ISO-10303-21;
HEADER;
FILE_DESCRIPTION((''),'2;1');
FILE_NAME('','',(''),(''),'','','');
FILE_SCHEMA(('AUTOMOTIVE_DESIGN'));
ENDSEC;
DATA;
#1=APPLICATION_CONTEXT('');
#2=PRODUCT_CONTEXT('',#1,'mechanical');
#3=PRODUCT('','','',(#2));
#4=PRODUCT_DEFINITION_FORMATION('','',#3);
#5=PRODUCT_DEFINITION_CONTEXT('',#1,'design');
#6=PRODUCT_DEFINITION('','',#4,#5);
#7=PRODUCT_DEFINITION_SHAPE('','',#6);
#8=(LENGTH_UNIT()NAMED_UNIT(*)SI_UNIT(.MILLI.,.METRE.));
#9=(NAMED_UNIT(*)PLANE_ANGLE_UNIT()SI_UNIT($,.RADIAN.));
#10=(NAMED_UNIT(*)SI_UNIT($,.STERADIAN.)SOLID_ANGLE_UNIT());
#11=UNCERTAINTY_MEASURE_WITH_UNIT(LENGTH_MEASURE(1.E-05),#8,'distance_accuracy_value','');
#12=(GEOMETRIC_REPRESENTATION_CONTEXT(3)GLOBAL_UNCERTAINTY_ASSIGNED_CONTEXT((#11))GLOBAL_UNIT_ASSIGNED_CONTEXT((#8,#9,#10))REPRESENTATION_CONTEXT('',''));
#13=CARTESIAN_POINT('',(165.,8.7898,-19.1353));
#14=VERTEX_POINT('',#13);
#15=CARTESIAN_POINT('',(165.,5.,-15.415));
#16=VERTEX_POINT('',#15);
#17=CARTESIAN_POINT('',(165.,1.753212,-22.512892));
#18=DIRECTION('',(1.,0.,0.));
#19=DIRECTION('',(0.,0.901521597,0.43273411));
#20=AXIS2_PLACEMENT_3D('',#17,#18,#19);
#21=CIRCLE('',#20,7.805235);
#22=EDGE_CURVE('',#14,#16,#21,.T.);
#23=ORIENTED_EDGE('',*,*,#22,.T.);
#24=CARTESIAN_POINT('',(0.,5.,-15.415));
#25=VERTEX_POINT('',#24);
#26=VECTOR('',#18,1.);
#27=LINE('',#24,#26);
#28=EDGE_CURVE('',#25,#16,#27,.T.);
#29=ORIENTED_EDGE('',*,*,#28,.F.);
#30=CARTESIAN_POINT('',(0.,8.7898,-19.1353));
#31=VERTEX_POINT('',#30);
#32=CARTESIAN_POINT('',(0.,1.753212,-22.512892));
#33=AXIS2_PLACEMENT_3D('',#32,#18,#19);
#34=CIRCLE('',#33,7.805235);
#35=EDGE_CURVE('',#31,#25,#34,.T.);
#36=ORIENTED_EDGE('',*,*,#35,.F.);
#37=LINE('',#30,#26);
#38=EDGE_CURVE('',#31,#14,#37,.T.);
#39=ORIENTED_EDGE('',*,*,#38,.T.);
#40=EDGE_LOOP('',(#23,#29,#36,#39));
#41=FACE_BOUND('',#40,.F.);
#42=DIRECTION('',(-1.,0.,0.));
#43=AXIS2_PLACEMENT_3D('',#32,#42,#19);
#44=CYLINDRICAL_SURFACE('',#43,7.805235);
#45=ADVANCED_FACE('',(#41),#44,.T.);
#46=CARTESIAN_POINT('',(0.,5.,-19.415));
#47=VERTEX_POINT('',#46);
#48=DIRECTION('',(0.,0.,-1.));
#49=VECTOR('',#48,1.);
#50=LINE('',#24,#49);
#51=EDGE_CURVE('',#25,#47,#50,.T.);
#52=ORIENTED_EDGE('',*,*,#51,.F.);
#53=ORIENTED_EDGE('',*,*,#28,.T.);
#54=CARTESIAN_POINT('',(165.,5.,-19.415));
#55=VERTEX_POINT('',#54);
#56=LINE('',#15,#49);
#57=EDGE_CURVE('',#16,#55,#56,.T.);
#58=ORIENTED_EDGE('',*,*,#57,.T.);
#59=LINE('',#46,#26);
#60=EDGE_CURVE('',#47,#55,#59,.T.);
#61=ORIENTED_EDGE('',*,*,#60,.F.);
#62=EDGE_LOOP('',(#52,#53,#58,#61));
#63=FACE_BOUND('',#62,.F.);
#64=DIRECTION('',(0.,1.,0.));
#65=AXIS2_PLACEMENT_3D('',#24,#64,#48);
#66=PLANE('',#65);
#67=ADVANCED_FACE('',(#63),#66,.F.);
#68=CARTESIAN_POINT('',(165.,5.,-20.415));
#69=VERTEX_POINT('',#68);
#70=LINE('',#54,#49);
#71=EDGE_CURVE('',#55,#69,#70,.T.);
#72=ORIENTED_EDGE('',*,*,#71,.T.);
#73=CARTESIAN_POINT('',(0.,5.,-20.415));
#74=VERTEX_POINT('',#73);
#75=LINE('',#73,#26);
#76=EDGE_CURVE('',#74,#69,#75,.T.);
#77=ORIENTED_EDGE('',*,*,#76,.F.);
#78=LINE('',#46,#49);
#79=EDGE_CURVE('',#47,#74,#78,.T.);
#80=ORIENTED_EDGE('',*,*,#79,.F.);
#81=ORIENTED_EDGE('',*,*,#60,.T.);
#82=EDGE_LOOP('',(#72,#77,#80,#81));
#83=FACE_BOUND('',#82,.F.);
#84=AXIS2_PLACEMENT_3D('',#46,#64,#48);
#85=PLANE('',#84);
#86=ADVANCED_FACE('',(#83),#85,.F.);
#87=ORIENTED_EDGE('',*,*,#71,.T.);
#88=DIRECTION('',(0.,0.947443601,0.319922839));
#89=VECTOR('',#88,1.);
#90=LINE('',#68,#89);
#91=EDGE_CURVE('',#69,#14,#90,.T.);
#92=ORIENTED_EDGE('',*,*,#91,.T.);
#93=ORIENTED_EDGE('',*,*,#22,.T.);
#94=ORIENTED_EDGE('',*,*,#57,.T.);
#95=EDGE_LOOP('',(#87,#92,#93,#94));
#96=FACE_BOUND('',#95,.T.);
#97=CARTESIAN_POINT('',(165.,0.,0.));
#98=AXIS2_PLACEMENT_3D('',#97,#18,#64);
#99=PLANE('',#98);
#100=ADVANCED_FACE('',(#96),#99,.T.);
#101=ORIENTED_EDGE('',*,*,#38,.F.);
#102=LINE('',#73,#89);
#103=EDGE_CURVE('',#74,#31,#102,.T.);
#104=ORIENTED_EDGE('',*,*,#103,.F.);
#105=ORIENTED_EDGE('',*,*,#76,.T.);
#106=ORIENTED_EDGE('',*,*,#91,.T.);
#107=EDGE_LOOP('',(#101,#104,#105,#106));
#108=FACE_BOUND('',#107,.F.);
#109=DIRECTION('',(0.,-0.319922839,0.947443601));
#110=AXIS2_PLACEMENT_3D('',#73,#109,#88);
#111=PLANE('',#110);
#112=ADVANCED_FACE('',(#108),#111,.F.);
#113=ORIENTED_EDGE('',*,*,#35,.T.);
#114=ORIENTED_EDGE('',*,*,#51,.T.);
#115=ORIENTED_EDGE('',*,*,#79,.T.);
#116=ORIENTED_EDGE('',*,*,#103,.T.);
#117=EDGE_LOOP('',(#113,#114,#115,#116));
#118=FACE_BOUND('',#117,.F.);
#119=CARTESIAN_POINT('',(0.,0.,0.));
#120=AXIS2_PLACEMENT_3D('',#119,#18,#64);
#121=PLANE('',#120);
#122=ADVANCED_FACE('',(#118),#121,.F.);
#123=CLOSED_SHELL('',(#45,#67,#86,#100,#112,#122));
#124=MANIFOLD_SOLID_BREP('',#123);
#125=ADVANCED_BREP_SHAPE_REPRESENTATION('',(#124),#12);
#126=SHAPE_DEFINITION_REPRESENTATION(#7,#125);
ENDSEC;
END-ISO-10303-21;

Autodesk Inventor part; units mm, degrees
ref_plane "YZ Plane" through (0, 0, 0) normal (1, 0, 0) x (0, 1, 0)
ref_plane "XZ Plane" through (0, 0, 0) normal (0, 1, 0) x (-1, 0, 0)
ref_plane "XY Plane" through (0, 0, 0) normal (0, 0, 1) x (1, 0, 0)
sketch "Sketch1" plane through (0, 0, 0) normal (1, 0, 0) x (0, 1, 0)
  line L0 (5, -15.415) -> (5, -19.415)
  line L1 (5, -20.415) -> (8.7898, -19.1353)
  arc A0 (8.7898, -19.1353) -> (5, -15.415) centre (1.7532, -22.5129) ccw
  line L2 (5, -19.415) -> (5, -20.415)
  point P0 (0, 0)
  point P1 (0, -20.415)
  dimension "d0" = 4
  dimension "d4" = 4
extrude "Extrusion1" add sketch "Sketch1" along normal blind 165
properties part number "junta controler2"
